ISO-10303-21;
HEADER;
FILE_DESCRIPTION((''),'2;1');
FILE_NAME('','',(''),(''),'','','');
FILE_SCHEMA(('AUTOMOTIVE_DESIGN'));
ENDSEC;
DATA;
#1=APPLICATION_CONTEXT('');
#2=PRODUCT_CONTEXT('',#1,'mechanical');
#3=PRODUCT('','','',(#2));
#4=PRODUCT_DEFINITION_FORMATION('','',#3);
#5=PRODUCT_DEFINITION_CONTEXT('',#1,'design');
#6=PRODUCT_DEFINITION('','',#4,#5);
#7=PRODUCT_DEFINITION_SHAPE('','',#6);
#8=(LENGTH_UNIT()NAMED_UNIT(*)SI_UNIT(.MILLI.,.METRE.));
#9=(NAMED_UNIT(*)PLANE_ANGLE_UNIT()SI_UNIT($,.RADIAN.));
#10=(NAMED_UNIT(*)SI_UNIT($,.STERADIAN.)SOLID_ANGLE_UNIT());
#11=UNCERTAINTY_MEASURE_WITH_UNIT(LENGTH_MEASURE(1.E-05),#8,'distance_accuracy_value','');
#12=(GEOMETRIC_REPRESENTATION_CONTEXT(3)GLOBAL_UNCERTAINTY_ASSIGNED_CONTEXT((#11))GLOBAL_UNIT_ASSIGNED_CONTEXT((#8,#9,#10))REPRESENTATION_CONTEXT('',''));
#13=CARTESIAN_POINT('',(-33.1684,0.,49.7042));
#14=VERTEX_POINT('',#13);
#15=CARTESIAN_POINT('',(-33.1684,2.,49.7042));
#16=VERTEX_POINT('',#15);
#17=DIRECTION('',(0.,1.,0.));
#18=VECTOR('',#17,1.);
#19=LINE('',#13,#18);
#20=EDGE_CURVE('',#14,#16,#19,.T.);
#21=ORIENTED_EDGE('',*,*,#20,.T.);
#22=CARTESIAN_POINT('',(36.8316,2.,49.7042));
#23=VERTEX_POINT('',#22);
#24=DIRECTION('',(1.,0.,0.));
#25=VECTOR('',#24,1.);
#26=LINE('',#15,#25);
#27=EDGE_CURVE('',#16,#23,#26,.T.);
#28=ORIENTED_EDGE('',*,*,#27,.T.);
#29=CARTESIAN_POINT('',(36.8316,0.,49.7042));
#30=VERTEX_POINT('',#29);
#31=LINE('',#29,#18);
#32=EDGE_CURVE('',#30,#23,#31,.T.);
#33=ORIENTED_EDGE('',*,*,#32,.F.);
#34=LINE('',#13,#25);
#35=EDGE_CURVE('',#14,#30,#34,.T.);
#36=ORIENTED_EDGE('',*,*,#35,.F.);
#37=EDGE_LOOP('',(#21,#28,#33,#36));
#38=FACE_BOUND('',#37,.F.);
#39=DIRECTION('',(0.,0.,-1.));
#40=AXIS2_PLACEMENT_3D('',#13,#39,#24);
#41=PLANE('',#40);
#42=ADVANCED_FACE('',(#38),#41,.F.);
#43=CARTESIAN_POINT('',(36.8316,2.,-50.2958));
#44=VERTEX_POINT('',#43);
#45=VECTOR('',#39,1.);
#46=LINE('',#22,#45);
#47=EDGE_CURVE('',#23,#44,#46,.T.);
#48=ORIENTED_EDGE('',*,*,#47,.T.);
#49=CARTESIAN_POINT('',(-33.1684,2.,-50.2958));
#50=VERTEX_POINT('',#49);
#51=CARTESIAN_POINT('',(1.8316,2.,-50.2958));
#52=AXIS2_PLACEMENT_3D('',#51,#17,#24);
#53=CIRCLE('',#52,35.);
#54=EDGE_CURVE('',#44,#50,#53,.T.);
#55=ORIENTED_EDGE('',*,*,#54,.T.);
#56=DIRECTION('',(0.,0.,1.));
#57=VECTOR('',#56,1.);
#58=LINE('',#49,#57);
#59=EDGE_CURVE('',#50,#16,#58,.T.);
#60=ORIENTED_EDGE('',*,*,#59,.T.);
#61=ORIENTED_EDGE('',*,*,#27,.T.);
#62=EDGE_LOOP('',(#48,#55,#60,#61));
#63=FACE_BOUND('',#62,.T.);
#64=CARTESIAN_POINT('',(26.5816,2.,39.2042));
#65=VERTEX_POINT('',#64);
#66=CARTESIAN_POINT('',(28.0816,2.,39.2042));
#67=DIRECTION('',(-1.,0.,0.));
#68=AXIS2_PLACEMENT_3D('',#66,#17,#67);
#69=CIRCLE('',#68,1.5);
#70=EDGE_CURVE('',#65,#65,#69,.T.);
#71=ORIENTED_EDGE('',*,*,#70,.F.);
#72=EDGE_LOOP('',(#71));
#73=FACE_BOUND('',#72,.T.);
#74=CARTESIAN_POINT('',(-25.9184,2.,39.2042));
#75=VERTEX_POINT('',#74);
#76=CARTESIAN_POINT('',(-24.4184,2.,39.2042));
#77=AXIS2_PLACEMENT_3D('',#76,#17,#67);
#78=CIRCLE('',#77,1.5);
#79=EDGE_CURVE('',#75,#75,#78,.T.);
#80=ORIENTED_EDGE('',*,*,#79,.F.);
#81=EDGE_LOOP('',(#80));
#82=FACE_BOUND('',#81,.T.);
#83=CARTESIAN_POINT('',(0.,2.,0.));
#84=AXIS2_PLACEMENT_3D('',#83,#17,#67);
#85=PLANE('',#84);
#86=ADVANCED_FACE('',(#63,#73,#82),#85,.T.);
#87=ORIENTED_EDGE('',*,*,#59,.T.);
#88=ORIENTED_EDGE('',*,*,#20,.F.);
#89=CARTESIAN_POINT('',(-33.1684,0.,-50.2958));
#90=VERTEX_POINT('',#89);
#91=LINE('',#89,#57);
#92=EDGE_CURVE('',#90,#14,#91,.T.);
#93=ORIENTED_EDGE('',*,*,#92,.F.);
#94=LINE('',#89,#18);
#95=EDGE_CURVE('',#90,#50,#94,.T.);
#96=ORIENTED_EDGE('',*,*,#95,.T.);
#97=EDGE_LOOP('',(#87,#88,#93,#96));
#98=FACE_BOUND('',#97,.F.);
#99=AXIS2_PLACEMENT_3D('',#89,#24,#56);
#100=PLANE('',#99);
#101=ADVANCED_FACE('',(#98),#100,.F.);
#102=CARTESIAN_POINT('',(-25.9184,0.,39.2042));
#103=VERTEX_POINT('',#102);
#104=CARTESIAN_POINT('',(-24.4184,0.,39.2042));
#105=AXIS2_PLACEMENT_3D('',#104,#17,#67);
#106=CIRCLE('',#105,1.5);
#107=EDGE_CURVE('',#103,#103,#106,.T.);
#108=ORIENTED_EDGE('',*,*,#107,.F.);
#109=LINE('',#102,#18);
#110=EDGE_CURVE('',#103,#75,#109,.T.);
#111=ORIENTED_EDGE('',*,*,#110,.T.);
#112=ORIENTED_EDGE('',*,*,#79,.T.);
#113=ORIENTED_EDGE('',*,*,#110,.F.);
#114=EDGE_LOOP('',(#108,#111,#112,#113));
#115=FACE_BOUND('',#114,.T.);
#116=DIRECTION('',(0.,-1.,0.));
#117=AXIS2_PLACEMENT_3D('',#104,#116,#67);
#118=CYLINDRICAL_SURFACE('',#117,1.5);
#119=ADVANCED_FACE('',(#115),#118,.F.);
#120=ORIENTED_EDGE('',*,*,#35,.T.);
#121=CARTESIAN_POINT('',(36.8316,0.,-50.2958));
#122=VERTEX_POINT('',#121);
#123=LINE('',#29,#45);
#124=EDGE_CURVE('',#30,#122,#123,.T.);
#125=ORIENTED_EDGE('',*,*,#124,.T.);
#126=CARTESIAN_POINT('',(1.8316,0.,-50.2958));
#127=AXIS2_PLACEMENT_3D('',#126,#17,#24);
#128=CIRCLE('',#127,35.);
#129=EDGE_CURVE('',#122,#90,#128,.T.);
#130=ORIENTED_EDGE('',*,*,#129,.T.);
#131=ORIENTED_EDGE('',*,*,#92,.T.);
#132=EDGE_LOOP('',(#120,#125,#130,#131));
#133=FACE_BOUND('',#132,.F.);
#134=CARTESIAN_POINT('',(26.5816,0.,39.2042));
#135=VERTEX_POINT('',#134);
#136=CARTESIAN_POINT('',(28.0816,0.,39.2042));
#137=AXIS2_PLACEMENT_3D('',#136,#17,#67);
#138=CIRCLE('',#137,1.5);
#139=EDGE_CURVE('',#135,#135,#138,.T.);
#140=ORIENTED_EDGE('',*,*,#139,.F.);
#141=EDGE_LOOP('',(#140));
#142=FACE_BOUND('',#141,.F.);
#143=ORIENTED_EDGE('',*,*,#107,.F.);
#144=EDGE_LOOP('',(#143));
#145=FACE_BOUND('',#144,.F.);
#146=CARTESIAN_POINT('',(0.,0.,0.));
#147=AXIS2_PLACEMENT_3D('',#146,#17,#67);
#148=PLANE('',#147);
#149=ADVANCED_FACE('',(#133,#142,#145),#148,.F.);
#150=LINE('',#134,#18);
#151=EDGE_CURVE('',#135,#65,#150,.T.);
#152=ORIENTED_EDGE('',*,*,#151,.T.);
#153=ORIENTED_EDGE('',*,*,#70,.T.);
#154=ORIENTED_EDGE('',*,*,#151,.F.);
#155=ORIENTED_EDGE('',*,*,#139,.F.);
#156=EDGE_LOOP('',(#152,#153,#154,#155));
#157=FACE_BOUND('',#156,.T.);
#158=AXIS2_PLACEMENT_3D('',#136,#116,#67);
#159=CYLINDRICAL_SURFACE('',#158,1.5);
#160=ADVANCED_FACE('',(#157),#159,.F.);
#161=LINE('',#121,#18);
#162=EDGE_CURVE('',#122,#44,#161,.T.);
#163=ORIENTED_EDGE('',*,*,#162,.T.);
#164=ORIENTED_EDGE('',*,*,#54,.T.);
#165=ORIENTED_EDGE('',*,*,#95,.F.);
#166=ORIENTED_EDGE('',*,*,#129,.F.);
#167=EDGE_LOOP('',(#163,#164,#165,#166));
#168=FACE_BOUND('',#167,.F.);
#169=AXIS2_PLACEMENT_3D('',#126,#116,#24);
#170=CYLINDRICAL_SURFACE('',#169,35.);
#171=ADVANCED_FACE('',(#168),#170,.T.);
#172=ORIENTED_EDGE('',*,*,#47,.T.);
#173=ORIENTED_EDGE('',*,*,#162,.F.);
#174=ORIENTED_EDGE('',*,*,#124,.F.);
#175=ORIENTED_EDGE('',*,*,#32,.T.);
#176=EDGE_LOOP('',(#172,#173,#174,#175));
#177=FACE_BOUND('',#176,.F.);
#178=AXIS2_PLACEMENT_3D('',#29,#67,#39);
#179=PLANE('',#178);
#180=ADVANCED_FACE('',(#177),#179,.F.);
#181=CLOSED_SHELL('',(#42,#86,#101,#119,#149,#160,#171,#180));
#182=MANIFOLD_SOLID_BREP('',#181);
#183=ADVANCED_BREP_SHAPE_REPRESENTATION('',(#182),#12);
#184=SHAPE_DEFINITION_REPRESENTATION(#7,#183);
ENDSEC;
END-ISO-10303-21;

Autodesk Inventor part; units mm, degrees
ref_plane "YZ Plane" through (0, 0, 0) normal (1, 0, 0) x (0, 1, 0)
ref_plane "XZ Plane" through (0, 0, 0) normal (0, 1, 0) x (-1, 0, 0)
ref_plane "XY Plane" through (0, 0, 0) normal (0, 0, 1) x (1, 0, 0)
sketch "Sketch1" plane through (0, 0, 0) normal (0, 1, 0) x (-1, 0, 0)
  line L0 (33.1684, 49.7042) -> (-36.8316, 49.7042)
  line L1 (-36.8316, 49.7042) -> (-36.8316, -50.2958)
  line L2 (-36.8316, -50.2958) -> (33.1684, -50.2958)
  line L3 (33.1684, -50.2958) -> (33.1684, 49.7042)
  arc A0 (-36.8316, -50.2958) -> (33.1684, -50.2958) centre (-1.8316, -50.2958) ccw
  circle A1 centre (24.4184, 39.2042) radius 1.5
  circle A2 centre (-28.0816, 39.2042) radius 1.5
  point P0 (0, 0)
  dimension "d0" = 100
  dimension "d1" = 70
  dimension "d2" = 10.5
  dimension "d3" = 8.75
  dimension "d4" = 10.5
  dimension "d5" = 8.75
  dimension "d8" = 3
  dimension "d9" = 3
extrude "Extrusion1" add sketch "Sketch1" along normal blind 2
properties part number "Magnetplatte"
